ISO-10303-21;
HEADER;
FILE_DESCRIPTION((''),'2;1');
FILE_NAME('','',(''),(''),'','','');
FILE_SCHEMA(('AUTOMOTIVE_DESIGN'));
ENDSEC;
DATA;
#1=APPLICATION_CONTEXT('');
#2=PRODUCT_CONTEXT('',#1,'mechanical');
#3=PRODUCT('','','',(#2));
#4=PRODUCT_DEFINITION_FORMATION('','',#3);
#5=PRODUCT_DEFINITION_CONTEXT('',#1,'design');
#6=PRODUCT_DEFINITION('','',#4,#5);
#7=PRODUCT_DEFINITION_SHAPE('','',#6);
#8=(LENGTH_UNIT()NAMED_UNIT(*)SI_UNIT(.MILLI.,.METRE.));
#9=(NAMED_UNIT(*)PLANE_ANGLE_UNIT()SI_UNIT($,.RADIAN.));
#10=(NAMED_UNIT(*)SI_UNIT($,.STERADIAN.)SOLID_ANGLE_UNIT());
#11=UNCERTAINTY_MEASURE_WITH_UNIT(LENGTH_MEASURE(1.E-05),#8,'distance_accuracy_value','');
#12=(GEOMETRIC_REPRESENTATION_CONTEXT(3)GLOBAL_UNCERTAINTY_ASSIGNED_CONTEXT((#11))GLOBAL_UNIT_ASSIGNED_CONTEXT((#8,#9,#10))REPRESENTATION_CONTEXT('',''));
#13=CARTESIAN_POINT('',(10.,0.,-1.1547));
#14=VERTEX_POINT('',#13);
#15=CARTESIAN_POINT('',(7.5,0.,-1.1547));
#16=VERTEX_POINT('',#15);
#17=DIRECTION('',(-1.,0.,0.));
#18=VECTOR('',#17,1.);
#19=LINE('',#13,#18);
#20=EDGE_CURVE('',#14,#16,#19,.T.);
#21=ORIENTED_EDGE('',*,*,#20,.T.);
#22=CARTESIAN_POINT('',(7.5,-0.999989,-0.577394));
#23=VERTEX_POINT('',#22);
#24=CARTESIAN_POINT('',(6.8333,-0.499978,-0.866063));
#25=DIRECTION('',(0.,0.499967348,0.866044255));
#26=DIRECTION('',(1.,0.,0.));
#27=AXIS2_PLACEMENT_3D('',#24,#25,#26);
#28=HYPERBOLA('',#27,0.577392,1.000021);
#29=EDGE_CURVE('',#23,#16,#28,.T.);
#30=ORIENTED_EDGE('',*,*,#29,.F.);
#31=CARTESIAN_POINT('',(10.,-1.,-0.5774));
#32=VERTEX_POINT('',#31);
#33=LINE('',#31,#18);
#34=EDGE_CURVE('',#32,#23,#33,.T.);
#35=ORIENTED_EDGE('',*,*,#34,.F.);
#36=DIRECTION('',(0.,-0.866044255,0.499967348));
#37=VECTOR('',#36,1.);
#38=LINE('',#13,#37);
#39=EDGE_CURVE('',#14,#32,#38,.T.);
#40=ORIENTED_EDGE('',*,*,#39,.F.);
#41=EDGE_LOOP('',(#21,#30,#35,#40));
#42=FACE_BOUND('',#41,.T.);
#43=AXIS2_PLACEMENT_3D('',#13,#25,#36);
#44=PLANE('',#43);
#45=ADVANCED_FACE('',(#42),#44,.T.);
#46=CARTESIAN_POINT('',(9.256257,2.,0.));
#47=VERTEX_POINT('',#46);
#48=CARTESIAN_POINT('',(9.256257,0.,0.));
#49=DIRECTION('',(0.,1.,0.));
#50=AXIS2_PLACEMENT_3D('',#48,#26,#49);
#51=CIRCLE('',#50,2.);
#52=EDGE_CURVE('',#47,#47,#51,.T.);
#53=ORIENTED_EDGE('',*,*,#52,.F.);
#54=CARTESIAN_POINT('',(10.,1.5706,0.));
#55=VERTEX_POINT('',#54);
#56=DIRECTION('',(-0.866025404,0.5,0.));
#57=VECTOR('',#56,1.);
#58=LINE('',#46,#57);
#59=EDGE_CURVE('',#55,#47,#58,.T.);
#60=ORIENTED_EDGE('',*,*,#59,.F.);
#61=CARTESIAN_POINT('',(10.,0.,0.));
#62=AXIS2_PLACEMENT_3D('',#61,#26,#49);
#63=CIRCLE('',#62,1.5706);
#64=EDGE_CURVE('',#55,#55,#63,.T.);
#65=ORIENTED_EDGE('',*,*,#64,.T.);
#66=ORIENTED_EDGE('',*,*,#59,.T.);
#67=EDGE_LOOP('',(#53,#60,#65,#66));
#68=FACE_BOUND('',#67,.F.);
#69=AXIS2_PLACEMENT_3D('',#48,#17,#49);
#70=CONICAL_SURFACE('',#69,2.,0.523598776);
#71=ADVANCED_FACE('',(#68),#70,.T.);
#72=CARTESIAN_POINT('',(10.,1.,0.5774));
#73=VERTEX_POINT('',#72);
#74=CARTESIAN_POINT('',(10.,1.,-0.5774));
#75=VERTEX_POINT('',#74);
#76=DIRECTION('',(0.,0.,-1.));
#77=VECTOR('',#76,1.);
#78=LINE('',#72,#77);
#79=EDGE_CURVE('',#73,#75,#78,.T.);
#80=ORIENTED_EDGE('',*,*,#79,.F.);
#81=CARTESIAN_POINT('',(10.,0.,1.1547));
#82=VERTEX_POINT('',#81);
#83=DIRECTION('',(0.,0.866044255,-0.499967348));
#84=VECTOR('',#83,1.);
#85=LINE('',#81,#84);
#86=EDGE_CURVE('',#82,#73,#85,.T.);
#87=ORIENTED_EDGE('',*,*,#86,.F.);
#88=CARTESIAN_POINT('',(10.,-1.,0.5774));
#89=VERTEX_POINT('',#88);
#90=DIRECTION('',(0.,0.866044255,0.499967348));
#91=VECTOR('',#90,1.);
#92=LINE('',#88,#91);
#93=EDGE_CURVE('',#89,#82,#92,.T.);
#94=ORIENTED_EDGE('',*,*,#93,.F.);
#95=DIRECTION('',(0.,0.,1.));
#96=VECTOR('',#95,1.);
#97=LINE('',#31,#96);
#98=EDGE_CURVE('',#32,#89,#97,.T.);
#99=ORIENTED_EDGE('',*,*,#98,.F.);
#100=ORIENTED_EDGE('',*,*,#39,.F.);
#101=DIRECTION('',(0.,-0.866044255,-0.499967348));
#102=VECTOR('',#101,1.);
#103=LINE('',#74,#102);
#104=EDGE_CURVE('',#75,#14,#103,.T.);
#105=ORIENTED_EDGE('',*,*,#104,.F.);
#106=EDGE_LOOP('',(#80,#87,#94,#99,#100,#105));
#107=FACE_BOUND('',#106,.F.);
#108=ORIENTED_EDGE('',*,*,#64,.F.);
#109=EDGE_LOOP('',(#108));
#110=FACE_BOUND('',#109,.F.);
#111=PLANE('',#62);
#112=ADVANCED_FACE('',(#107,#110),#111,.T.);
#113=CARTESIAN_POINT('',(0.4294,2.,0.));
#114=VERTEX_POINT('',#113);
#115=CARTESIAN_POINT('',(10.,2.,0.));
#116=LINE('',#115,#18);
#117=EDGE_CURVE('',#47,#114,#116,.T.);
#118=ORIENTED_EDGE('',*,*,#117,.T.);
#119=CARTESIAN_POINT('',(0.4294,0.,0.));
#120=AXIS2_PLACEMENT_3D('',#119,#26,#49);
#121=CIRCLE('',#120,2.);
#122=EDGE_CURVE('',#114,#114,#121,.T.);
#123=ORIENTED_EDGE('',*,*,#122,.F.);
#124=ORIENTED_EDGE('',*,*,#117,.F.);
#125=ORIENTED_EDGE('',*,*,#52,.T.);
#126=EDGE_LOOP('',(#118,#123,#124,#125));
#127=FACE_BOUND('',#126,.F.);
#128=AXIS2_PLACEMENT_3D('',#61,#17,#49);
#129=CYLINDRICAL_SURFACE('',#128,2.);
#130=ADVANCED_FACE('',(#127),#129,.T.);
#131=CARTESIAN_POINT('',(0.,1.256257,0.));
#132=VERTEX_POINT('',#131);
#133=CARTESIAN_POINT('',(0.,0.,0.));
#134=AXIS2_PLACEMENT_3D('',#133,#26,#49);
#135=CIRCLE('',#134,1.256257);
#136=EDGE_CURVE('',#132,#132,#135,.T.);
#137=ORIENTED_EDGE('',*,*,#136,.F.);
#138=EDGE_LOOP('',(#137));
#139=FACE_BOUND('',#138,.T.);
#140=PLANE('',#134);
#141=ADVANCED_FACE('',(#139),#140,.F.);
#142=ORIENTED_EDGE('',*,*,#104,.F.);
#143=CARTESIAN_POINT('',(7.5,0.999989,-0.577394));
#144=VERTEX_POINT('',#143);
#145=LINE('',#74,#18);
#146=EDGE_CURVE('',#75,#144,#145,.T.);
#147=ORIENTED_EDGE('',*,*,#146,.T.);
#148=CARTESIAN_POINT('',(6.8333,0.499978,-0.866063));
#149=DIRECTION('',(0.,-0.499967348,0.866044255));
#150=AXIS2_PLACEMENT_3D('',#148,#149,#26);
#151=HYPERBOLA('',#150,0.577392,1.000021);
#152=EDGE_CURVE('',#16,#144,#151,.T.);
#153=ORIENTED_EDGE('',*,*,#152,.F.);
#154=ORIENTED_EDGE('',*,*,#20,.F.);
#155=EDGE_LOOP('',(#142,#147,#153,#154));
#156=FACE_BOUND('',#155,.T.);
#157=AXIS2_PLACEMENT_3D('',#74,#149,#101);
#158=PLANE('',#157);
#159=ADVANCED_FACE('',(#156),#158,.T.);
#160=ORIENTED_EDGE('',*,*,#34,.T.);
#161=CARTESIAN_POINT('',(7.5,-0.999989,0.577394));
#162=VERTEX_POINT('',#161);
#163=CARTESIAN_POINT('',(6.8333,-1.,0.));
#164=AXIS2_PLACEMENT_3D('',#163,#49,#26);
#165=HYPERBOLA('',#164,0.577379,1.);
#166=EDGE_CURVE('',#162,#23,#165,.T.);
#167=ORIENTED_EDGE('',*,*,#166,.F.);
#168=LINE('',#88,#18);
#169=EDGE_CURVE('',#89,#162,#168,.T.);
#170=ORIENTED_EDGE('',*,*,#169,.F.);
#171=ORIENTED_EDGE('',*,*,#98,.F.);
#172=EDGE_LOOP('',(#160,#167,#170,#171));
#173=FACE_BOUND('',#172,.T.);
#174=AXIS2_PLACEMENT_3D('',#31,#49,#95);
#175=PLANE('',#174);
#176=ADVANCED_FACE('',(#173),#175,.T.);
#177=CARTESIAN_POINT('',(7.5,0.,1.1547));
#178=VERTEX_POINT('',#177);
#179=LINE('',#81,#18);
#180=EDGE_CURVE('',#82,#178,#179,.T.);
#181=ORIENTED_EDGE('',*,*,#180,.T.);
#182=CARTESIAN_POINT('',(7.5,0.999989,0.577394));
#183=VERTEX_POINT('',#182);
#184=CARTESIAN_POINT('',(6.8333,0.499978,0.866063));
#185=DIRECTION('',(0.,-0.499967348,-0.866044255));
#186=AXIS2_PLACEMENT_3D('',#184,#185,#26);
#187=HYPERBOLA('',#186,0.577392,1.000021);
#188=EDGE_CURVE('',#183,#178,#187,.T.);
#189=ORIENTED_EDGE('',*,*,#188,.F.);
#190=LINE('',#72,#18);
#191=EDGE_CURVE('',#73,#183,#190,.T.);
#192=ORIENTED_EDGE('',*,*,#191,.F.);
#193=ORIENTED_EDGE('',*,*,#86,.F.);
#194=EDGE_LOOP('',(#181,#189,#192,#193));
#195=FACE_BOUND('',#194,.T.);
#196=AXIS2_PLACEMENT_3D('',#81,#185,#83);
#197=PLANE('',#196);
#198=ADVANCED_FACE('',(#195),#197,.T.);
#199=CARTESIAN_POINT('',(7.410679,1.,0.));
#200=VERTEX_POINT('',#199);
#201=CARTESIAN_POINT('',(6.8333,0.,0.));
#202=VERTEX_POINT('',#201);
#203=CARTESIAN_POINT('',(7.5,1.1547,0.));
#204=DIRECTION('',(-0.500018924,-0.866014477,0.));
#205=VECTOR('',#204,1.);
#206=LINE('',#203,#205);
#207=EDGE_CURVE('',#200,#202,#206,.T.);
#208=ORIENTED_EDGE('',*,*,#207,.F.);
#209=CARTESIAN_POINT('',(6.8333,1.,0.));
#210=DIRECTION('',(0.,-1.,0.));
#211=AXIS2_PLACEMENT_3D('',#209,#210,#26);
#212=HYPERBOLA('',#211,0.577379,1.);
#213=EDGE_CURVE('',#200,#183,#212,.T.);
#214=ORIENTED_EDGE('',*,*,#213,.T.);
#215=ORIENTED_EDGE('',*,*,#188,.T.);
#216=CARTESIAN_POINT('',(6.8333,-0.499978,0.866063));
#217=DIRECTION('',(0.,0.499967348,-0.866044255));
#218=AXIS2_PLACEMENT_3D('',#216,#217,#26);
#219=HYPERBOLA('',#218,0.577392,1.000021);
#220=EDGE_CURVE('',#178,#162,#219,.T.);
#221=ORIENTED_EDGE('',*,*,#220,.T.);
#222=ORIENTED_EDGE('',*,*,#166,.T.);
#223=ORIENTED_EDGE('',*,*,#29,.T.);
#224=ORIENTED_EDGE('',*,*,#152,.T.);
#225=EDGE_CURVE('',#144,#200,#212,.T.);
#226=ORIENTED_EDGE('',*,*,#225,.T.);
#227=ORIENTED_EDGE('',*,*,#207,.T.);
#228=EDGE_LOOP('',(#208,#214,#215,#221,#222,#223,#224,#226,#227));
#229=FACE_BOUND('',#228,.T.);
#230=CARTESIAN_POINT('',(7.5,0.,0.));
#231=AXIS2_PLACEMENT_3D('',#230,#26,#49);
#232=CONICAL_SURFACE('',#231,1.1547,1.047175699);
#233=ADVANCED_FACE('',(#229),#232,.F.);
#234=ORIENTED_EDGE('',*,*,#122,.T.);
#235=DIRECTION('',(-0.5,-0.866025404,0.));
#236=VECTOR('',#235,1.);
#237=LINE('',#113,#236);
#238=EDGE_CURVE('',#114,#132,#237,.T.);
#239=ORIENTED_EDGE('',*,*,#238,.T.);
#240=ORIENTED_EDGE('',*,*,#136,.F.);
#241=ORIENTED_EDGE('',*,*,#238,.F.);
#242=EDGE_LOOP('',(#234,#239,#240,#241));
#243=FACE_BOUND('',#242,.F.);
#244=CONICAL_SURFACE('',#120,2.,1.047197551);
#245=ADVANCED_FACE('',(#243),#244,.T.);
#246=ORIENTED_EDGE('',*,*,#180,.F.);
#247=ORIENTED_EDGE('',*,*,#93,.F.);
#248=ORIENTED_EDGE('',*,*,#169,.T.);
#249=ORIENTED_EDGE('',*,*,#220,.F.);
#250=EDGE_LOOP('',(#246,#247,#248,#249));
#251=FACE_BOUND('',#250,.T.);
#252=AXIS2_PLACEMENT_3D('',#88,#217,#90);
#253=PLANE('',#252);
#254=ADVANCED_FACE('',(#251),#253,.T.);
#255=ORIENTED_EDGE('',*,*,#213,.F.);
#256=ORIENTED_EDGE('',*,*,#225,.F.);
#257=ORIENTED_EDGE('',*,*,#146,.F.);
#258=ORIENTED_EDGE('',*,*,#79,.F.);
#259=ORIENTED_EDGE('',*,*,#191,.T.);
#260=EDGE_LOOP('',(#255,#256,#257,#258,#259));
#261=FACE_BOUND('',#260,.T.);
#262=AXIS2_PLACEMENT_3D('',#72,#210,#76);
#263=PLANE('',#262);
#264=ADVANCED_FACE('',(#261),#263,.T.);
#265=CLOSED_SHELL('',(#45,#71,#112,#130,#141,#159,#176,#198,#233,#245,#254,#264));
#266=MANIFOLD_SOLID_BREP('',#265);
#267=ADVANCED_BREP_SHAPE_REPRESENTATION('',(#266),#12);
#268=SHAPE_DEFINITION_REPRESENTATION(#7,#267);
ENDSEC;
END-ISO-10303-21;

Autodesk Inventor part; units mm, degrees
ref_plane "YZ Plane" through (0, 0, 0) normal (1, 0, 0) x (0, 1, 0)
ref_plane "XZ Plane" through (0, 0, 0) normal (0, 1, 0) x (-1, 0, 0)
sketch "Sketch1" plane through (0, 0, 0) normal (0, 0, 1) x (1, 0, 0)
  line L0 (0, 0) -> (6.8333, 0)
  line L1 (10, 1.1547) -> (10, 2)
  line L2 (10, 2) -> (0, 2)
  line L3 (10, 1.1547) -> (7.5, 1.1547)
  line L4 (7.5, 1.1547) -> (6.8333, 0)
  line L5 (0, -0.4) -> (0, 2.4) projected
  line L6 (0, 2) -> (0, 0)
  dimension "d0" = 2.5
  dimension "d1" = 60
  dimension "d2" = 4
  dimension "d3" = 2.3094
  dimension "d5" = 10
revolve "Body" add sketch "Sketch1" angle 360 about axis through (0, 0, 0) along (1, 0, 0)
chamfer "Chamfer1" distance 0.4294 angle 60 1 edges at (10, -2, 0) measured on face at (10, 1.6877, -0.2517)
sketch "Sketch2" plane through (10, 0, 0) normal (1, 0, 0) x (0, 0, -1)
  circle A0 centre (0, 0) radius 1.1547 projected
  line L0 (-0.5774, 1) -> (0.5774, 1)
  line L1 (0.5774, 1) -> (1.1547, 0)
  line L2 (1.1547, 0) -> (0.5774, -1)
  line L3 (0.5774, -1) -> (-0.5774, -1)
  line L4 (-0.5774, -1) -> (-1.1547, 0)
  line L5 (-1.1547, 0) -> (-0.5774, 1)
  point P0 (0, 0)
  point P1 (0, 0)
extrude "Slot" add sketch "Sketch2" against normal up to next contours L1 A0 | A0 L2 | L0 A0 | A0 L3 | L5 A0 | A0 L4
thread "Thread" size "M4x0.7" class "6g" standard "ISO Metric profile" length 10
chamfer "Chamfer2" distance 0.4294 angle 60 1 edges at (0, -2, 0) measured on face at (3.0854, 1.9741, -0.3208)
ref_plane "Work Plane1" through (5, 0, 0) normal (0, 0.5, 0.866) x (1, 0, 0)
equation "\"d0\" = INTI"
equation "\"d2\" = NND"
equation "\"d3\" = 1.1547 * SW"
equation "\"d5\" = NLG"
equation "\"d7\" = -0.5 * GD1 + 0.5 * NND"
equation "\"d8\" = FAWI"
equation "\"d29\" = -0.5 * GD1 + 0.5 * NND"
equation "\"d11\" = NLG"
equation "\"d13\" = -0.5 * GD1 + 0.5 * NND"
equation "\"d14\" = FAWI"
equation "\"d30\" = -0.5 * GD1 + 0.5 * NND"
equation "\"NND\" = 4"
equation "\"NLG\" = 10"
equation "\"INTI\" = 2.5"
equation "\"FAWI\" = 60deg"
equation "\"SW\" = 2"
equation "\"GD1\" = THREADDIA - 1.2269 * PTC"
equation "\"FAWI1\" = 45deg"
equation "\"GUL\" = 0.61345 * PTC"
equation "\"SPD\" = 2"
equation "\"TOA\" = 30deg"
equation "\"THREADDIA\" = 4"
equation "\"PTC\" = 0.7"
equation "\"GAL\" = 0.61345 * PTC"
equation "\"E0\" = 1.155 * SW"
properties part number "AS 1421 - M4 x 10 Flat Point" material "Steel, Mild"
